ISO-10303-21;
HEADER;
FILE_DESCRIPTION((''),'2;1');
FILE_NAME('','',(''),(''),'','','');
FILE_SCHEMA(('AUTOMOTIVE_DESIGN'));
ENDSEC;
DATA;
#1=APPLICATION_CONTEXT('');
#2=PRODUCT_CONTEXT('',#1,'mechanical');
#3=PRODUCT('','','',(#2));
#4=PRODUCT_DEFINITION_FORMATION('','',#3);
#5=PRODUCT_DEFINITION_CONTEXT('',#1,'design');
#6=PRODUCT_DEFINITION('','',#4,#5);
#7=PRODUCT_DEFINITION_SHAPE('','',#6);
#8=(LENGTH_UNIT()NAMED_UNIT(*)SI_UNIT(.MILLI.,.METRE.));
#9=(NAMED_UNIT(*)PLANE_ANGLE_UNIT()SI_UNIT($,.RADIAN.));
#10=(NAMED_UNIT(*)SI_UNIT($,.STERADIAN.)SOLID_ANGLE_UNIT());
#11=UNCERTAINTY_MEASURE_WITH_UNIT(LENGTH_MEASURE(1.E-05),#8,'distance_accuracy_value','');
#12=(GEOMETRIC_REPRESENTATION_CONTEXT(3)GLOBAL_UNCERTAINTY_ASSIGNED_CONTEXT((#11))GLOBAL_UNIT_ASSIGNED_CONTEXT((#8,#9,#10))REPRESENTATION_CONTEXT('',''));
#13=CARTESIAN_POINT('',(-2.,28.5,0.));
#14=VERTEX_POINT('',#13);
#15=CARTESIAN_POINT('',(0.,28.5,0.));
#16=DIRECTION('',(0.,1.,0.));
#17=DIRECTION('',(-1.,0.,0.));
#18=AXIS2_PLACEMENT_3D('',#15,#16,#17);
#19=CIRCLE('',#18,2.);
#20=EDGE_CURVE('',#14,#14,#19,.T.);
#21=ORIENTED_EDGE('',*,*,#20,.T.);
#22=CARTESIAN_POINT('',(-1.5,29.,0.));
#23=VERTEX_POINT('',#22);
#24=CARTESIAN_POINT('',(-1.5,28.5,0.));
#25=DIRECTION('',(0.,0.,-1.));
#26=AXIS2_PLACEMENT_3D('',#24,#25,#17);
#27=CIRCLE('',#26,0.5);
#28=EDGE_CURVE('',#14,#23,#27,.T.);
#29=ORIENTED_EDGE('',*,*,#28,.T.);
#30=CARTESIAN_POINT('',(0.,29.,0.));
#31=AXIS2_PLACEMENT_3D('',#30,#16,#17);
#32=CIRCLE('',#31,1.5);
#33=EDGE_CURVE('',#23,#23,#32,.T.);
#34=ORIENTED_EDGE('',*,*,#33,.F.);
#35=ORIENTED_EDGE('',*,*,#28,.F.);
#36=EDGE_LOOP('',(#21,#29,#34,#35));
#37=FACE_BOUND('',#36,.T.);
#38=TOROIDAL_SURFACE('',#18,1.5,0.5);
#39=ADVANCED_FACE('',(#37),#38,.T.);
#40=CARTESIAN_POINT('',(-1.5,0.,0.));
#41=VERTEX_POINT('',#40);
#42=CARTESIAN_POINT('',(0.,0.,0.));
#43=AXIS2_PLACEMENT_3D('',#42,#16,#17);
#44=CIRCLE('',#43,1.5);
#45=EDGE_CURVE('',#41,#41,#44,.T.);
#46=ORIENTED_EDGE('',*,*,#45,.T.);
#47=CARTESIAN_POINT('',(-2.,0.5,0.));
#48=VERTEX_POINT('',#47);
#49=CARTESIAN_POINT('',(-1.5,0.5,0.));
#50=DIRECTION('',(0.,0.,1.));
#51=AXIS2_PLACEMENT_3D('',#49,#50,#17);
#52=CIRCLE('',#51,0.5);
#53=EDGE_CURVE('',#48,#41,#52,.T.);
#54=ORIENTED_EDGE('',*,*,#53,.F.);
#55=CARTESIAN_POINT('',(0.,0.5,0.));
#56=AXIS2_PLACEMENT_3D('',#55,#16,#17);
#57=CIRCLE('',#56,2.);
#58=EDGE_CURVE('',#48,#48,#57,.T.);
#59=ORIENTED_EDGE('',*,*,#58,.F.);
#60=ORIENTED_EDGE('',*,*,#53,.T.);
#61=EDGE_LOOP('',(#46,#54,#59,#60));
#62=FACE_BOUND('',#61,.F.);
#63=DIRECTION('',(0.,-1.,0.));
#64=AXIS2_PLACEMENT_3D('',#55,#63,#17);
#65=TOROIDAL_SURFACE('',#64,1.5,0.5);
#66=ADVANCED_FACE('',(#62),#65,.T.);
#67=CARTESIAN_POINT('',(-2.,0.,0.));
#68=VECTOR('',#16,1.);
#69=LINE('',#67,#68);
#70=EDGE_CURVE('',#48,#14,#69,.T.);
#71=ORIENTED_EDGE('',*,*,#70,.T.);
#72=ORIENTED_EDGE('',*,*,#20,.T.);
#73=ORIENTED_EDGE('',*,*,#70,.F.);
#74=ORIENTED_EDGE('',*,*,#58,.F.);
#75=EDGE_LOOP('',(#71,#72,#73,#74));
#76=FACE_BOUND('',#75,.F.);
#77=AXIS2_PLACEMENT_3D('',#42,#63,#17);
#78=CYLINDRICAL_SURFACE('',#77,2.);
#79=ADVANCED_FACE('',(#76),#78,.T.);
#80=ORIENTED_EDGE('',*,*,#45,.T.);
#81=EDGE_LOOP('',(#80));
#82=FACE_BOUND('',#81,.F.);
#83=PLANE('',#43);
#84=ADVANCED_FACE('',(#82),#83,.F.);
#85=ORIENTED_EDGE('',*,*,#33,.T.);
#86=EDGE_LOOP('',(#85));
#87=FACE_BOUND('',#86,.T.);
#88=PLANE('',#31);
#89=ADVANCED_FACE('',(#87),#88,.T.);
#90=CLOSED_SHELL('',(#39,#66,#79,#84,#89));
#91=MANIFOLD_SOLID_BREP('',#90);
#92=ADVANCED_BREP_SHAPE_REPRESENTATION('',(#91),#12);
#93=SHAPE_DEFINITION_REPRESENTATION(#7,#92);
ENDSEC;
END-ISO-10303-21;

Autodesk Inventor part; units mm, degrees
ref_plane "YZ Plane" through (0, 0, 0) normal (1, 0, 0) x (0, 1, 0)
ref_plane "XZ Plane" through (0, 0, 0) normal (0, 1, 0) x (-1, 0, 0)
ref_plane "XY Plane" through (0, 0, 0) normal (0, 0, 1) x (1, 0, 0)
sketch "スケッチ1" plane through (0, 0, 0) normal (0, 1, 0) x (-1, 0, 0)
  circle A0 centre (0, 0) radius 2
  dimension "d0" = 4
extrude "押し出し1" add sketch "スケッチ1" along normal blind 29
fillet "フィレット1" radius 0.5 1 edges at (2, 29, 0)
fillet "フィレット2" radius 0.5 1 edges at (2, 0, 0)
properties part number "シャフト"
